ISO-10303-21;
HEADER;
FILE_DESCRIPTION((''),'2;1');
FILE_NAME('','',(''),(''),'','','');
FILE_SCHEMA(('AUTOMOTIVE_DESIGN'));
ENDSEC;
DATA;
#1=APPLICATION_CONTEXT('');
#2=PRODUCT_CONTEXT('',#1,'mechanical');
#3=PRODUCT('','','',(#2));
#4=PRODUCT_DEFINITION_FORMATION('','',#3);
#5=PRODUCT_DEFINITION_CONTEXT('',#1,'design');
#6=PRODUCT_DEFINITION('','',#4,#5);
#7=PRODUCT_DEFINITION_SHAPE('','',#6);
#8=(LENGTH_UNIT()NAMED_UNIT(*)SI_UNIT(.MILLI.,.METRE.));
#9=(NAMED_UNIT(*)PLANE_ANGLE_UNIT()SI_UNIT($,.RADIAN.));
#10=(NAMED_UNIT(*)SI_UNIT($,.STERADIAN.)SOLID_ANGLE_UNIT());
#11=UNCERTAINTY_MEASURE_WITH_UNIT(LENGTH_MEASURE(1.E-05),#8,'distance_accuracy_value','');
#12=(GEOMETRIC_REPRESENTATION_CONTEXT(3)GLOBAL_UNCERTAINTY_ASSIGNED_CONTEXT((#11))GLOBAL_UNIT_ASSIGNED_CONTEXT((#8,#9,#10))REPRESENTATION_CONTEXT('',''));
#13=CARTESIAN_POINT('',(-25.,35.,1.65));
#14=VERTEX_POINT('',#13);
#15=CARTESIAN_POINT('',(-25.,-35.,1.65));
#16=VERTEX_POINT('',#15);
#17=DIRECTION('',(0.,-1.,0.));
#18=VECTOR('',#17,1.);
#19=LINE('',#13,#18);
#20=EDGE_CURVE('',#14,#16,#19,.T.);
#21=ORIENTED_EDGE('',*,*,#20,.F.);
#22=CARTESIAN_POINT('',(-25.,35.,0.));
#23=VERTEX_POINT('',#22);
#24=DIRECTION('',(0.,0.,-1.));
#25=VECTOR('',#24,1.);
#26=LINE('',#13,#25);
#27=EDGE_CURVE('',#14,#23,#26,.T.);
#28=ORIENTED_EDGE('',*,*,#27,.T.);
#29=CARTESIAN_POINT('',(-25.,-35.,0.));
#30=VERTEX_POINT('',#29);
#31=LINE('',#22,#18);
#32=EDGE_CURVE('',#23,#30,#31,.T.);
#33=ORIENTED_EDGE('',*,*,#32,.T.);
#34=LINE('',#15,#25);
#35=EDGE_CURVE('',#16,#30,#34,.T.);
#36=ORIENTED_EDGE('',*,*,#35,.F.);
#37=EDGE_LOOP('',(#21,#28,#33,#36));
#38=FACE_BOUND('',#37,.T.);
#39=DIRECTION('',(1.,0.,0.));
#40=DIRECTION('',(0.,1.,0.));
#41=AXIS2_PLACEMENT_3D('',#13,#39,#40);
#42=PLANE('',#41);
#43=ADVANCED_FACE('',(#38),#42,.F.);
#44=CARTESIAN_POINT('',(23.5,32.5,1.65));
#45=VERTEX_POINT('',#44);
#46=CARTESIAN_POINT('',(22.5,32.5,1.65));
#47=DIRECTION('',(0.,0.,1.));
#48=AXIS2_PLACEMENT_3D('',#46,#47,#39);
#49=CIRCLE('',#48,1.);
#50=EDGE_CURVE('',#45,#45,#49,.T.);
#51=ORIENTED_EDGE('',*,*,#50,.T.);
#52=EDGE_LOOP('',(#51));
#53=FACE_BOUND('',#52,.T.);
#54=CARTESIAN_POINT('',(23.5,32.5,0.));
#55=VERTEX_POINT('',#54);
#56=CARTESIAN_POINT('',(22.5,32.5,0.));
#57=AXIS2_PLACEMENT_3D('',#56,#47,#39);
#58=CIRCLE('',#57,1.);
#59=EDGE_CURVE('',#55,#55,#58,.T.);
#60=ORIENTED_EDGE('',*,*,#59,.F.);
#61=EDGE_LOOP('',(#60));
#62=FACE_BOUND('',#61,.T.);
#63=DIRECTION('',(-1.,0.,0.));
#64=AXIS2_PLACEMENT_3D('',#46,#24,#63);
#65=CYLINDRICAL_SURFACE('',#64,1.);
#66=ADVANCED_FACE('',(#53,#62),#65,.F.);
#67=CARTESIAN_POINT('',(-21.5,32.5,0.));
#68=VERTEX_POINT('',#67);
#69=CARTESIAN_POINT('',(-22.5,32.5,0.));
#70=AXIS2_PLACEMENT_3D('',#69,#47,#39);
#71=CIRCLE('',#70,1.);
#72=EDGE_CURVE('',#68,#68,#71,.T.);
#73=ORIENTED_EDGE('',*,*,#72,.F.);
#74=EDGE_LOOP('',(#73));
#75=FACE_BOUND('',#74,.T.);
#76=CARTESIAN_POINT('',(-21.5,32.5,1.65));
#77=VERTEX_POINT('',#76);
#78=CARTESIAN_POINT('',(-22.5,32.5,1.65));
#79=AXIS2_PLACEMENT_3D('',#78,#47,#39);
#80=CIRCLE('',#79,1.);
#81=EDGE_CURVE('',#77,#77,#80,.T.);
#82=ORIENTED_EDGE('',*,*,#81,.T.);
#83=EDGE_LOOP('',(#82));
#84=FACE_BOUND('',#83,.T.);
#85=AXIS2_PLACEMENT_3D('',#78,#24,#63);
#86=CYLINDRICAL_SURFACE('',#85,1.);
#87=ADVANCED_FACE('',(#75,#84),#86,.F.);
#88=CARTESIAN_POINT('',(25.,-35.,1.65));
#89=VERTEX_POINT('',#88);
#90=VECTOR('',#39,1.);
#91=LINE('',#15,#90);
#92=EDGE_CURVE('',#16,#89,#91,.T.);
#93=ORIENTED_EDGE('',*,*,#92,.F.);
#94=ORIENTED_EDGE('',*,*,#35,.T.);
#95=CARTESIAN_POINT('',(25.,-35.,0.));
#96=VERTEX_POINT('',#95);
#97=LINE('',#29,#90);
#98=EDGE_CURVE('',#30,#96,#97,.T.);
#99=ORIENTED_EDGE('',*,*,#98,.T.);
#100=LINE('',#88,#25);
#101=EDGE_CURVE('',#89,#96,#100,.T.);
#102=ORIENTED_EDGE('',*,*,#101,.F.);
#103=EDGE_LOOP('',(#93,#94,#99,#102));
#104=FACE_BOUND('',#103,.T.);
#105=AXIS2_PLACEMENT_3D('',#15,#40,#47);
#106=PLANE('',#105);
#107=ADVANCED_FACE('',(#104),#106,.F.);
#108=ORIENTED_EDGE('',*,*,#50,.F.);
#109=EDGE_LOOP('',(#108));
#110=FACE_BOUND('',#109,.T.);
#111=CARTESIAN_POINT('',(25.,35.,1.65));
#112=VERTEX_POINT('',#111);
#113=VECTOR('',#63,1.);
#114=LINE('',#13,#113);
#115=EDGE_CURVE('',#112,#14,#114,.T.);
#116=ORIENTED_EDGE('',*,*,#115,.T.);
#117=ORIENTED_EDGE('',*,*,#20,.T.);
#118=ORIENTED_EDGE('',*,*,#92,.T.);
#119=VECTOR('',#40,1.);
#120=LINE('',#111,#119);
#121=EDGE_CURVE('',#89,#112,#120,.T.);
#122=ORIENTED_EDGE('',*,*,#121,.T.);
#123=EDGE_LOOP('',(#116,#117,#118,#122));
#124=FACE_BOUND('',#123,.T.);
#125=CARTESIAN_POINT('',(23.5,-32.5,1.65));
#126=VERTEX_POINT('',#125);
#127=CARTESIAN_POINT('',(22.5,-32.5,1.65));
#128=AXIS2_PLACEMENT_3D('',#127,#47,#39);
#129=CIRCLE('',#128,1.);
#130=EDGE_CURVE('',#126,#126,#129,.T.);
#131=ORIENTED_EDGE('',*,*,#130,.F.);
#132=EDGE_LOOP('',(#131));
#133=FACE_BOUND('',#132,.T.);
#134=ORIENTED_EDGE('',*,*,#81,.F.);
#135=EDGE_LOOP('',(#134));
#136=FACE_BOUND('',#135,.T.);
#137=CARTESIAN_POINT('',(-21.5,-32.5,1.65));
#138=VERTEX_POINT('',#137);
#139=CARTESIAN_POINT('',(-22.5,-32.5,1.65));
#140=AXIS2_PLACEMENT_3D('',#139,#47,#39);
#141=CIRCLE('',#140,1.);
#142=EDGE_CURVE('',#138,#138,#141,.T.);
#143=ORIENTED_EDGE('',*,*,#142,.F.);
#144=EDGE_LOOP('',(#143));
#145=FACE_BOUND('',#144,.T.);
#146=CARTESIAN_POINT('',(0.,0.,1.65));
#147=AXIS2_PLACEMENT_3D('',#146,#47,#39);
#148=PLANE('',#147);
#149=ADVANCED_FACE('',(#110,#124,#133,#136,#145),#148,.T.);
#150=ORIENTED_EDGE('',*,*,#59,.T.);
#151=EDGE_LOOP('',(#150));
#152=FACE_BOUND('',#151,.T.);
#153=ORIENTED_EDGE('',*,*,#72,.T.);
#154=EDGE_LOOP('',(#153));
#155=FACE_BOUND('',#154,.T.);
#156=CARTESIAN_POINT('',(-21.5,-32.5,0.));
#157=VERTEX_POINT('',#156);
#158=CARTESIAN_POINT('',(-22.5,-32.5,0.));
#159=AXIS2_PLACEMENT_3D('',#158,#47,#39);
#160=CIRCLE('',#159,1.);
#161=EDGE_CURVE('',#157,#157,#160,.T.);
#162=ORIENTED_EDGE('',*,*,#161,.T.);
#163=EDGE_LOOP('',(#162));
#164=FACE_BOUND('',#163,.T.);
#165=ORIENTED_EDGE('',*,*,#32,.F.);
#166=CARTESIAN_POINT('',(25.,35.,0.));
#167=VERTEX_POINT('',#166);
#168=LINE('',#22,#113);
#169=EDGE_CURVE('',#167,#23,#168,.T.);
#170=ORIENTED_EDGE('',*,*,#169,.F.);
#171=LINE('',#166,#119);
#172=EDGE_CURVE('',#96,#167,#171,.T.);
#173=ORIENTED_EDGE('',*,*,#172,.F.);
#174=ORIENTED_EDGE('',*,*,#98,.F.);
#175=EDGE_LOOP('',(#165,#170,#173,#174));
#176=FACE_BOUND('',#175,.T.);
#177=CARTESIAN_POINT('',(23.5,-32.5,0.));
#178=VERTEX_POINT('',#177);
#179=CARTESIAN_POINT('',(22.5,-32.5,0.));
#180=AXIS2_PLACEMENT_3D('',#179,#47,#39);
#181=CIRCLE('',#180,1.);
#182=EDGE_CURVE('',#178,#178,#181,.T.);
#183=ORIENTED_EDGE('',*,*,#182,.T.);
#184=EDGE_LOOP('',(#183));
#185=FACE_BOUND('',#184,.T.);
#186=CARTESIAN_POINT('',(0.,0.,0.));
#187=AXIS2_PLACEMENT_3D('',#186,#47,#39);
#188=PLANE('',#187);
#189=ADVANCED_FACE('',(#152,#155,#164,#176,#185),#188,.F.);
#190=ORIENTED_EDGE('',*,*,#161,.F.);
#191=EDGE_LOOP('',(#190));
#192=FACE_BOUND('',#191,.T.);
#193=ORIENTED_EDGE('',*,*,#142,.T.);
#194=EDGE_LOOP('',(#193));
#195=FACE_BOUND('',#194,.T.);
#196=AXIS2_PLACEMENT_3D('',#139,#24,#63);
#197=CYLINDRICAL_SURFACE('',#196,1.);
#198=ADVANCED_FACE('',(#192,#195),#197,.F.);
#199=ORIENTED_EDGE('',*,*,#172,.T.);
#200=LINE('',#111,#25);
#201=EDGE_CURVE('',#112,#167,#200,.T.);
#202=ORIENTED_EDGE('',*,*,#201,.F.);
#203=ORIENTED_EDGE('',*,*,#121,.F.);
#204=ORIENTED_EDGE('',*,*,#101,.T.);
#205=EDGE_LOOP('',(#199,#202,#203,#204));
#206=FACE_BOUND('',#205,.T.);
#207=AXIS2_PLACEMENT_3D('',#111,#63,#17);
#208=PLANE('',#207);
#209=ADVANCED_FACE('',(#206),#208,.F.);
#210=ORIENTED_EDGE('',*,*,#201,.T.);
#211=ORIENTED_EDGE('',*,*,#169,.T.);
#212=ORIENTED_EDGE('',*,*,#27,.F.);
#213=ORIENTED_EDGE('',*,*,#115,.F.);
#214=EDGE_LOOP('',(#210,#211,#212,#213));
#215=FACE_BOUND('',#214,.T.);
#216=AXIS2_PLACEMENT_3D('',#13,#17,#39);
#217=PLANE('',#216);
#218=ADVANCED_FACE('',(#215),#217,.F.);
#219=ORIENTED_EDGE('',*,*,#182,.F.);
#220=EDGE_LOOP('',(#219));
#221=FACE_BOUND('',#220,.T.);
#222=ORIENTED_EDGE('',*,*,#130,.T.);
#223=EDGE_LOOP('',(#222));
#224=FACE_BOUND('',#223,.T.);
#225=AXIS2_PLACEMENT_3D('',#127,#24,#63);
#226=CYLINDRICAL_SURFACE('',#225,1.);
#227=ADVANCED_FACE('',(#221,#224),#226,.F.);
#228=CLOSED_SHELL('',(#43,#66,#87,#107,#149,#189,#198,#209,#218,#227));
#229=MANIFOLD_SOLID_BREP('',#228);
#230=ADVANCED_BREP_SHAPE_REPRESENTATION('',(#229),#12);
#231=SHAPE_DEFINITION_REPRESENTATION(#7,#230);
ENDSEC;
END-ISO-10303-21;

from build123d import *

# Parameters (mm, degrees)
SKETCH_1_W      = 50
SKETCH_1_H      = 70
SKETCH_1_R      = 1
EXTRUDE_1_DEPTH = 1.65


with BuildPart() as part:
    # 草图1 → 凸台-拉伸1 (new body)
    with BuildSketch(Plane.XY):
        Rectangle(SKETCH_1_W, SKETCH_1_H)
        with Locations((-22.5, 32.5)):
            Circle(SKETCH_1_R, mode=Mode.SUBTRACT)
        with Locations((22.5, 32.5)):
            Circle(SKETCH_1_R, mode=Mode.SUBTRACT)
        with Locations((22.5, -32.5)):
            Circle(SKETCH_1_R, mode=Mode.SUBTRACT)
        with Locations((-22.5, -32.5)):
            Circle(SKETCH_1_R, mode=Mode.SUBTRACT)
    extrude(amount=EXTRUDE_1_DEPTH)


solid = part.part
